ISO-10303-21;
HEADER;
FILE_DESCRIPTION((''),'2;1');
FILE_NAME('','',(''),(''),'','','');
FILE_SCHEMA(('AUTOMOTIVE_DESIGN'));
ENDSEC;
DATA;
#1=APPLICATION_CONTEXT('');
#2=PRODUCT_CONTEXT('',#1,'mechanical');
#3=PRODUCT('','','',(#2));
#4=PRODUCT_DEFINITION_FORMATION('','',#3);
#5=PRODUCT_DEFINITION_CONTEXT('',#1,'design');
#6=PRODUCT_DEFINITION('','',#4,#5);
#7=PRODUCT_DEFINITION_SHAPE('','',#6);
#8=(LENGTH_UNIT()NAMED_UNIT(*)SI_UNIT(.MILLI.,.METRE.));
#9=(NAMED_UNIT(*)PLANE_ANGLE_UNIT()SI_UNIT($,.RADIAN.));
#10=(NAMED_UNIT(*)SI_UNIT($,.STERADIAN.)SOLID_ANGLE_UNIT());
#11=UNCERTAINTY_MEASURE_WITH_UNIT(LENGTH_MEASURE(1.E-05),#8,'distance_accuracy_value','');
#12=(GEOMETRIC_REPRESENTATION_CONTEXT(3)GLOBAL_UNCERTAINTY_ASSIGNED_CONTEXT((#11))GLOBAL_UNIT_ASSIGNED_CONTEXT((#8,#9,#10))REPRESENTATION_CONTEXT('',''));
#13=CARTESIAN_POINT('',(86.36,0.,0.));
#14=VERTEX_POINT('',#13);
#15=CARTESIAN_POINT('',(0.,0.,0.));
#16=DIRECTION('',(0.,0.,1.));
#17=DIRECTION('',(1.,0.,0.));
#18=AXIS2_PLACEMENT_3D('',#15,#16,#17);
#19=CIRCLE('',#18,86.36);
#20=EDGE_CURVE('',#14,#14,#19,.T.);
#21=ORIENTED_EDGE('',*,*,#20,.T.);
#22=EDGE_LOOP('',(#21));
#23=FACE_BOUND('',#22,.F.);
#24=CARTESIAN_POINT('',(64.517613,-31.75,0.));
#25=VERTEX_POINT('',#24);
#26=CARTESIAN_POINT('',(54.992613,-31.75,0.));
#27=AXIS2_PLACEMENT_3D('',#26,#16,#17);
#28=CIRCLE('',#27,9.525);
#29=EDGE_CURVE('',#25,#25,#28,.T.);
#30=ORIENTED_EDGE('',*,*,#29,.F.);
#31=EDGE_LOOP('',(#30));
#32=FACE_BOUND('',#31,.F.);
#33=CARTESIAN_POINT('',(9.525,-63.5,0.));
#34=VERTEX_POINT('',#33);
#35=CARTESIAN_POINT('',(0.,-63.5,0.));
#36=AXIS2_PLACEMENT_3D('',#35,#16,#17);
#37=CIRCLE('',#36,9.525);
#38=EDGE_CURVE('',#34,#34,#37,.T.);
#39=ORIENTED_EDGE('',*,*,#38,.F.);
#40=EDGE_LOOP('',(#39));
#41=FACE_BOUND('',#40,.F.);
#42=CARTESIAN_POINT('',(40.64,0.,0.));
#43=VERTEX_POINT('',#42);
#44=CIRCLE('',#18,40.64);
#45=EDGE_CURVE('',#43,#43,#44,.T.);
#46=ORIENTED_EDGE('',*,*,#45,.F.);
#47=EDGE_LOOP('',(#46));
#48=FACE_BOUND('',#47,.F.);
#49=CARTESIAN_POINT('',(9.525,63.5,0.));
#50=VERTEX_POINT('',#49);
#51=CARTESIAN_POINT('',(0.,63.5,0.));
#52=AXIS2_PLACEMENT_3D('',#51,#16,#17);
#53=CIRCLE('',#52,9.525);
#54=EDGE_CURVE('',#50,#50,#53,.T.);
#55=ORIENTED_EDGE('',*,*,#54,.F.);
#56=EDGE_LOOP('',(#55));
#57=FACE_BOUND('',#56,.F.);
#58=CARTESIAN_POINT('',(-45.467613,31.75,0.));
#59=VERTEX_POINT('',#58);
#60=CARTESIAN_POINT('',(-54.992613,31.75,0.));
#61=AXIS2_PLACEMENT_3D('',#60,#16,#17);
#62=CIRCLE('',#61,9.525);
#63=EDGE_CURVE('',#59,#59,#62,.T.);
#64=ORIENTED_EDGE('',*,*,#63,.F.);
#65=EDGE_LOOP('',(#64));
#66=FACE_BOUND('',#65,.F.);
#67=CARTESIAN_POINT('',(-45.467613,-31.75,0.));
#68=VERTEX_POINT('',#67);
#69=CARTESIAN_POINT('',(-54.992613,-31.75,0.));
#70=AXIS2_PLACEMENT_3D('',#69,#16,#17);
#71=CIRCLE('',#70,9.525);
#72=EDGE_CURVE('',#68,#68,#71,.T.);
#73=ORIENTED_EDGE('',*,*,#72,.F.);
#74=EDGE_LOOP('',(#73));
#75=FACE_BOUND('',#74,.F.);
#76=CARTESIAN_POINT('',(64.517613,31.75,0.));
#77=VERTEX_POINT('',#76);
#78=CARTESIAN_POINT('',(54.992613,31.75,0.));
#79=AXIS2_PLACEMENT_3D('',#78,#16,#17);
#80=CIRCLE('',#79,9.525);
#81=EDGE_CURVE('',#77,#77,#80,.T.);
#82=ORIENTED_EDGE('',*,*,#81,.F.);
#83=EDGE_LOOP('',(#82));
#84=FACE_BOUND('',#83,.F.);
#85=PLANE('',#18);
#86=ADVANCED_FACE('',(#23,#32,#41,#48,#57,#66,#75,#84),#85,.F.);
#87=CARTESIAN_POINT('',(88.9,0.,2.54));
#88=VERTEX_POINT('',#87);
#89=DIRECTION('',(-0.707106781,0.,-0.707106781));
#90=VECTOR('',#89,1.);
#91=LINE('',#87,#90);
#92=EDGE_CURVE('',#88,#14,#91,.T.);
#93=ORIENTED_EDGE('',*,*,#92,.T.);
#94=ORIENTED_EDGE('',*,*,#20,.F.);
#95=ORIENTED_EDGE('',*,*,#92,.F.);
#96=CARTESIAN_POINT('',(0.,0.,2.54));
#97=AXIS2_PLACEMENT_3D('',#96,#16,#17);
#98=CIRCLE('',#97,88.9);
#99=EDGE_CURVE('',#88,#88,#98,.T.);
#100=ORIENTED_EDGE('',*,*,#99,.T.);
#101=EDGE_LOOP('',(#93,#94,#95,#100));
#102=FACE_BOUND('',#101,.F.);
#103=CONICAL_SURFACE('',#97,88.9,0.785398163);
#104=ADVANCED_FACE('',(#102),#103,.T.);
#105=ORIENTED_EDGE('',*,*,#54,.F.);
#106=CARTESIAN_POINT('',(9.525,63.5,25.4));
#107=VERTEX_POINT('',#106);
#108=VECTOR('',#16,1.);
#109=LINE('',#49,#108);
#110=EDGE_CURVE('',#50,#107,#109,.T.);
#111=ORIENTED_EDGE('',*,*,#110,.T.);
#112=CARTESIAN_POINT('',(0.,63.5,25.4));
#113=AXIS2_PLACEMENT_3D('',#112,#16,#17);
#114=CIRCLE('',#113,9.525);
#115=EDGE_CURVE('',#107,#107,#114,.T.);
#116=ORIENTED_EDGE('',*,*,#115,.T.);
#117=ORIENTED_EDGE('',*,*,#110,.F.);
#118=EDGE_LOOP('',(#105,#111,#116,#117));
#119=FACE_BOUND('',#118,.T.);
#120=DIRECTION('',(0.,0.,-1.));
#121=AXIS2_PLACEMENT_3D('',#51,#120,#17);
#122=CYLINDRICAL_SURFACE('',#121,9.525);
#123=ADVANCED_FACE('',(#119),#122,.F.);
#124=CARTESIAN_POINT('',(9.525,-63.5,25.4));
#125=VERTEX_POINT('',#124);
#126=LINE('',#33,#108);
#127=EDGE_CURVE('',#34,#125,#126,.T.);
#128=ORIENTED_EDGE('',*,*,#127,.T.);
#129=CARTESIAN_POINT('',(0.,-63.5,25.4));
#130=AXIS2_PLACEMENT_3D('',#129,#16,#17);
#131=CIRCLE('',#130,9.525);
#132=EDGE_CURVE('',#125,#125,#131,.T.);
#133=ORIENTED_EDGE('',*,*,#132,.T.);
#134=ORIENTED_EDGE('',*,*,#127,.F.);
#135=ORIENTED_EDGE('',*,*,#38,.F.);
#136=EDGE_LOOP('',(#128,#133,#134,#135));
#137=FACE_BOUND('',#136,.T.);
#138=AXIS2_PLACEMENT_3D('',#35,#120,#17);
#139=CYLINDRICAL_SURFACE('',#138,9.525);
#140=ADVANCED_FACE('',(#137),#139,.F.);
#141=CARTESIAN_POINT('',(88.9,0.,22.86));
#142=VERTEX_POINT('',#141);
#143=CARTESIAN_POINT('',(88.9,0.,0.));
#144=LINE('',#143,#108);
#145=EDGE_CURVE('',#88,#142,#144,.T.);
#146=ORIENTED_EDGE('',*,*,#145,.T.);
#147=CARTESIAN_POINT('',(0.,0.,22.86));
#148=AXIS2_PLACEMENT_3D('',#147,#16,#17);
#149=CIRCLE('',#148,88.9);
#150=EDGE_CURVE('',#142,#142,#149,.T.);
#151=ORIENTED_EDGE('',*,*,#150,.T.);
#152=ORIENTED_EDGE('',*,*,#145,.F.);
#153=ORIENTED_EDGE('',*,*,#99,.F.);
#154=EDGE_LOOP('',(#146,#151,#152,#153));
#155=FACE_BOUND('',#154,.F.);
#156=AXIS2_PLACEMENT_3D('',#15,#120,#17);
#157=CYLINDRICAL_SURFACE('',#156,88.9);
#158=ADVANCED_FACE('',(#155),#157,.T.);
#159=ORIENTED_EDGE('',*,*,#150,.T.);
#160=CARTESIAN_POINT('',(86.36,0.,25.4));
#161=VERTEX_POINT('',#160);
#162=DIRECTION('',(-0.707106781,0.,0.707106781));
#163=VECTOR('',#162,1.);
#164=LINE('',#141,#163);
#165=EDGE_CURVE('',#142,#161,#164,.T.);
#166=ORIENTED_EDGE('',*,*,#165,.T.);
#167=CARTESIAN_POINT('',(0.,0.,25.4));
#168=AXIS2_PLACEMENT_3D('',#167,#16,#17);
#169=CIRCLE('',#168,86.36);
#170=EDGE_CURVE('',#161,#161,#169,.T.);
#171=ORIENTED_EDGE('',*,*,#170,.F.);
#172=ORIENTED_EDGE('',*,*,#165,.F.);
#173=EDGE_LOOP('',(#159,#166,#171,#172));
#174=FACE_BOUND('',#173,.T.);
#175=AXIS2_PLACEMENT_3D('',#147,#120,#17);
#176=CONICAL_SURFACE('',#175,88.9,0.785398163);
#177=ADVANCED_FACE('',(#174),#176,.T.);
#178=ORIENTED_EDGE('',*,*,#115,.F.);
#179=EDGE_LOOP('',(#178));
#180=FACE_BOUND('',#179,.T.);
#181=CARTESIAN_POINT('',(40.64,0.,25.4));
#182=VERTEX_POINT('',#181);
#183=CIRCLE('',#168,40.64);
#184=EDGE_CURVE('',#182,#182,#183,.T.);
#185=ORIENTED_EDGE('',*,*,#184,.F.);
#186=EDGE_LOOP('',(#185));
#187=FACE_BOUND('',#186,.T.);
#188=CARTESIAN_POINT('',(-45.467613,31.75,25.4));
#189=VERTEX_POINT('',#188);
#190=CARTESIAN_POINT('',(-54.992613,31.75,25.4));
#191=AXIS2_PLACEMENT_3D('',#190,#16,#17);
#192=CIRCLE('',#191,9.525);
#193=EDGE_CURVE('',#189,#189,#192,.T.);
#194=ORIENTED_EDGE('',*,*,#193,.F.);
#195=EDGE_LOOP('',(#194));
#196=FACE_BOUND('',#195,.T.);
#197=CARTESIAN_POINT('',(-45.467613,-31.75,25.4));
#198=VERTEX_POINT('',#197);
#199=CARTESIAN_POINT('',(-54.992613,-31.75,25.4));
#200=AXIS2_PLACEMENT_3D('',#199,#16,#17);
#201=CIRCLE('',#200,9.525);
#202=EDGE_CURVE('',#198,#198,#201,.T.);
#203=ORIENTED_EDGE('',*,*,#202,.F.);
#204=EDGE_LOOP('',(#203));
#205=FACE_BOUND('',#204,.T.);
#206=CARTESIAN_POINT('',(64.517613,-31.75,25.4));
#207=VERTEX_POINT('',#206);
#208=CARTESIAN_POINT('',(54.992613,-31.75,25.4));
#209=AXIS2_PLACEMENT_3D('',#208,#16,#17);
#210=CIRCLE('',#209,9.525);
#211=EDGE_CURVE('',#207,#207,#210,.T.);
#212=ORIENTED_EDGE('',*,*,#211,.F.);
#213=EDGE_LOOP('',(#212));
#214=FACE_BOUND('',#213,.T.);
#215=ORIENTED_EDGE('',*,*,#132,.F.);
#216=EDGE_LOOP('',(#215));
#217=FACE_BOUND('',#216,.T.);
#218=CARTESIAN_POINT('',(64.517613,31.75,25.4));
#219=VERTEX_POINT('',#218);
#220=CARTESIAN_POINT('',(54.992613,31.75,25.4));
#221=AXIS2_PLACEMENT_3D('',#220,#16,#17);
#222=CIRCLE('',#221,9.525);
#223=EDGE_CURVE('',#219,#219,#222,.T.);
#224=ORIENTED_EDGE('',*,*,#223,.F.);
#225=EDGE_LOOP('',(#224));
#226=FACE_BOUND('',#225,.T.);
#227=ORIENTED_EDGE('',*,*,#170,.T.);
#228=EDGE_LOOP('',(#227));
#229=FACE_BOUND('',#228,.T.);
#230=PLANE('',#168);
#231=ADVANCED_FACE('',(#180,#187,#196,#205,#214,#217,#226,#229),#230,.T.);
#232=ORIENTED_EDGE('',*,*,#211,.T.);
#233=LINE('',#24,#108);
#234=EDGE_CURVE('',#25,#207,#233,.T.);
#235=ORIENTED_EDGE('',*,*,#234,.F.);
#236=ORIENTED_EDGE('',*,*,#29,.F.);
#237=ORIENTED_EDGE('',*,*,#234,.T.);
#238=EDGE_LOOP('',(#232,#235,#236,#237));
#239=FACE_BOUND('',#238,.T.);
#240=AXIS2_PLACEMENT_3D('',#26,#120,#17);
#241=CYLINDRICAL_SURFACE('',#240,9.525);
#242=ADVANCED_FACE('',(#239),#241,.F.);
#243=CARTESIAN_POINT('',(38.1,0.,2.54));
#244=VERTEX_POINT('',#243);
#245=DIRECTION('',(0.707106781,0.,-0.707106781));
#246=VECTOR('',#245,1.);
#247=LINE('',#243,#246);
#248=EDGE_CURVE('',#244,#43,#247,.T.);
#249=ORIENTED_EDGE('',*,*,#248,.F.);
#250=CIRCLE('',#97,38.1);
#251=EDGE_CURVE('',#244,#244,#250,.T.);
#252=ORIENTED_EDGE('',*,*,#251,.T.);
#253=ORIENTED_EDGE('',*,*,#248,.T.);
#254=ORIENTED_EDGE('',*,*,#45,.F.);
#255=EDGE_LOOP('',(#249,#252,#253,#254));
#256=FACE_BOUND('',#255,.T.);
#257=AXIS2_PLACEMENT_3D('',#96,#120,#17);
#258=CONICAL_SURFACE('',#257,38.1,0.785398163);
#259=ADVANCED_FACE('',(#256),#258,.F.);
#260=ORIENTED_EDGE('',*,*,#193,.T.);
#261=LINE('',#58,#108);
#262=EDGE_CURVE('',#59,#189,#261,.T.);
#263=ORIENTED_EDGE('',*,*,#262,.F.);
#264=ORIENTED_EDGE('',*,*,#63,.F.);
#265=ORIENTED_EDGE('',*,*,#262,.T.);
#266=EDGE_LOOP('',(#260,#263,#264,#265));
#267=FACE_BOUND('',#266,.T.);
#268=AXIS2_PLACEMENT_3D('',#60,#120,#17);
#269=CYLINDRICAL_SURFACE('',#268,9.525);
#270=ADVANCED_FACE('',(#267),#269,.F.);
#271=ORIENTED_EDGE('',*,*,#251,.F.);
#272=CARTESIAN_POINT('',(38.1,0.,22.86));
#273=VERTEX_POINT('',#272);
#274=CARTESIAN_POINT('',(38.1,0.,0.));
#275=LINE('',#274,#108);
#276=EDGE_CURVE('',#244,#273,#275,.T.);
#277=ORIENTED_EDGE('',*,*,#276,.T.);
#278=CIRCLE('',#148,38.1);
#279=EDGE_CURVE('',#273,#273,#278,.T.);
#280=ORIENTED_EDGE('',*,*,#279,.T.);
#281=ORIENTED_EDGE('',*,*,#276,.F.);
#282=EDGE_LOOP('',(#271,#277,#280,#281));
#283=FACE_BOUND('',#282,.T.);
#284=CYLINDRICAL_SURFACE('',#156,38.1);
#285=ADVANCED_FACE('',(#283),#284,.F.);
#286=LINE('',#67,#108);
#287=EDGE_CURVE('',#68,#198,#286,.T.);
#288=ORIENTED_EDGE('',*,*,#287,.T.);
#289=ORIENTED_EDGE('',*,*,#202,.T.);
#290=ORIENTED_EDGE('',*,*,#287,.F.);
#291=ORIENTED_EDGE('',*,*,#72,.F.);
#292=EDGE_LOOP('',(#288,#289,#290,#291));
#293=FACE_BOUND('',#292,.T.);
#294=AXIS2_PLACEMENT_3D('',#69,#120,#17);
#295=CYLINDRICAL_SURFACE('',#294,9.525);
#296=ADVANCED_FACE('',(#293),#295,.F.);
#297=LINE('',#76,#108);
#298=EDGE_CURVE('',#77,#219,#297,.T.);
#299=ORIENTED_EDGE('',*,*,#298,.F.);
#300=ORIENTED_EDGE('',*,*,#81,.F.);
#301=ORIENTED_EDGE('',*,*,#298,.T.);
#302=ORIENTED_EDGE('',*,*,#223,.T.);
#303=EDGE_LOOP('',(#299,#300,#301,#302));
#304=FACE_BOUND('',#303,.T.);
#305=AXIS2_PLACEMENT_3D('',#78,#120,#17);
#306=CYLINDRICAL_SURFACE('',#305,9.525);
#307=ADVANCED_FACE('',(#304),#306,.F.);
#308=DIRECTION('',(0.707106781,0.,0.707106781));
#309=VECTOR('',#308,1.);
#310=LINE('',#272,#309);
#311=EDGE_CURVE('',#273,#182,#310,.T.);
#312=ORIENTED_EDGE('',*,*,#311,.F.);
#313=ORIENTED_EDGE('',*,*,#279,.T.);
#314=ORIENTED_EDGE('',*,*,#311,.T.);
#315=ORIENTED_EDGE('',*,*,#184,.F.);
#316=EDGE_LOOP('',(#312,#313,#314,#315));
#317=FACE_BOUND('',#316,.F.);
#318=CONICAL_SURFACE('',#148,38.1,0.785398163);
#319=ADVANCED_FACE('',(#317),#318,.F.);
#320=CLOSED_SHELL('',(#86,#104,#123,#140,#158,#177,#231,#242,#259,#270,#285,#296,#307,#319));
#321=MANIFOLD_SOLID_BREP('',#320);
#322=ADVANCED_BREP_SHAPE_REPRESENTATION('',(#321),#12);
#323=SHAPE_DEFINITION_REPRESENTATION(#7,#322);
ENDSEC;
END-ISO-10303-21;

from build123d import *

# Parameters (mm, degrees)
F0_R     = 88.9
F0_R_2   = 9.525
F0_R_3   = 38.1
F1_DEPTH = 25.4
F2_SIZE  = 2.54


with BuildPart() as f1:
    # F0 (on Top) → F1 (new body)
    with BuildSketch(Plane.XY):
        Circle(F0_R)
        with Locations((-54.992613, -31.75)):
            Circle(F0_R_2, mode=Mode.SUBTRACT)
        with Locations((0, -63.5)):
            Circle(F0_R_2, mode=Mode.SUBTRACT)
        with Locations((54.992613, -31.75)):
            Circle(F0_R_2, mode=Mode.SUBTRACT)
        with Locations((-54.992613, 31.75)):
            Circle(F0_R_2, mode=Mode.SUBTRACT)
        Circle(F0_R_3, mode=Mode.SUBTRACT)
        with Locations((54.992613, 31.75)):
            Circle(F0_R_2, mode=Mode.SUBTRACT)
        with Locations((0, 63.5)):
            Circle(F0_R_2, mode=Mode.SUBTRACT)
    extrude(amount=F1_DEPTH)

    # F2
    f2_edges = [f1.edges().sort_by_distance(p)[0] for p in [
        (-38.1, 0, 25.4),
        (-88.9, 0, 25.4),
        (-88.9, 0, 0),
        (-38.1, 0, 0),
    ]]
    chamfer(f2_edges, length=F2_SIZE)


solid = f1.part
